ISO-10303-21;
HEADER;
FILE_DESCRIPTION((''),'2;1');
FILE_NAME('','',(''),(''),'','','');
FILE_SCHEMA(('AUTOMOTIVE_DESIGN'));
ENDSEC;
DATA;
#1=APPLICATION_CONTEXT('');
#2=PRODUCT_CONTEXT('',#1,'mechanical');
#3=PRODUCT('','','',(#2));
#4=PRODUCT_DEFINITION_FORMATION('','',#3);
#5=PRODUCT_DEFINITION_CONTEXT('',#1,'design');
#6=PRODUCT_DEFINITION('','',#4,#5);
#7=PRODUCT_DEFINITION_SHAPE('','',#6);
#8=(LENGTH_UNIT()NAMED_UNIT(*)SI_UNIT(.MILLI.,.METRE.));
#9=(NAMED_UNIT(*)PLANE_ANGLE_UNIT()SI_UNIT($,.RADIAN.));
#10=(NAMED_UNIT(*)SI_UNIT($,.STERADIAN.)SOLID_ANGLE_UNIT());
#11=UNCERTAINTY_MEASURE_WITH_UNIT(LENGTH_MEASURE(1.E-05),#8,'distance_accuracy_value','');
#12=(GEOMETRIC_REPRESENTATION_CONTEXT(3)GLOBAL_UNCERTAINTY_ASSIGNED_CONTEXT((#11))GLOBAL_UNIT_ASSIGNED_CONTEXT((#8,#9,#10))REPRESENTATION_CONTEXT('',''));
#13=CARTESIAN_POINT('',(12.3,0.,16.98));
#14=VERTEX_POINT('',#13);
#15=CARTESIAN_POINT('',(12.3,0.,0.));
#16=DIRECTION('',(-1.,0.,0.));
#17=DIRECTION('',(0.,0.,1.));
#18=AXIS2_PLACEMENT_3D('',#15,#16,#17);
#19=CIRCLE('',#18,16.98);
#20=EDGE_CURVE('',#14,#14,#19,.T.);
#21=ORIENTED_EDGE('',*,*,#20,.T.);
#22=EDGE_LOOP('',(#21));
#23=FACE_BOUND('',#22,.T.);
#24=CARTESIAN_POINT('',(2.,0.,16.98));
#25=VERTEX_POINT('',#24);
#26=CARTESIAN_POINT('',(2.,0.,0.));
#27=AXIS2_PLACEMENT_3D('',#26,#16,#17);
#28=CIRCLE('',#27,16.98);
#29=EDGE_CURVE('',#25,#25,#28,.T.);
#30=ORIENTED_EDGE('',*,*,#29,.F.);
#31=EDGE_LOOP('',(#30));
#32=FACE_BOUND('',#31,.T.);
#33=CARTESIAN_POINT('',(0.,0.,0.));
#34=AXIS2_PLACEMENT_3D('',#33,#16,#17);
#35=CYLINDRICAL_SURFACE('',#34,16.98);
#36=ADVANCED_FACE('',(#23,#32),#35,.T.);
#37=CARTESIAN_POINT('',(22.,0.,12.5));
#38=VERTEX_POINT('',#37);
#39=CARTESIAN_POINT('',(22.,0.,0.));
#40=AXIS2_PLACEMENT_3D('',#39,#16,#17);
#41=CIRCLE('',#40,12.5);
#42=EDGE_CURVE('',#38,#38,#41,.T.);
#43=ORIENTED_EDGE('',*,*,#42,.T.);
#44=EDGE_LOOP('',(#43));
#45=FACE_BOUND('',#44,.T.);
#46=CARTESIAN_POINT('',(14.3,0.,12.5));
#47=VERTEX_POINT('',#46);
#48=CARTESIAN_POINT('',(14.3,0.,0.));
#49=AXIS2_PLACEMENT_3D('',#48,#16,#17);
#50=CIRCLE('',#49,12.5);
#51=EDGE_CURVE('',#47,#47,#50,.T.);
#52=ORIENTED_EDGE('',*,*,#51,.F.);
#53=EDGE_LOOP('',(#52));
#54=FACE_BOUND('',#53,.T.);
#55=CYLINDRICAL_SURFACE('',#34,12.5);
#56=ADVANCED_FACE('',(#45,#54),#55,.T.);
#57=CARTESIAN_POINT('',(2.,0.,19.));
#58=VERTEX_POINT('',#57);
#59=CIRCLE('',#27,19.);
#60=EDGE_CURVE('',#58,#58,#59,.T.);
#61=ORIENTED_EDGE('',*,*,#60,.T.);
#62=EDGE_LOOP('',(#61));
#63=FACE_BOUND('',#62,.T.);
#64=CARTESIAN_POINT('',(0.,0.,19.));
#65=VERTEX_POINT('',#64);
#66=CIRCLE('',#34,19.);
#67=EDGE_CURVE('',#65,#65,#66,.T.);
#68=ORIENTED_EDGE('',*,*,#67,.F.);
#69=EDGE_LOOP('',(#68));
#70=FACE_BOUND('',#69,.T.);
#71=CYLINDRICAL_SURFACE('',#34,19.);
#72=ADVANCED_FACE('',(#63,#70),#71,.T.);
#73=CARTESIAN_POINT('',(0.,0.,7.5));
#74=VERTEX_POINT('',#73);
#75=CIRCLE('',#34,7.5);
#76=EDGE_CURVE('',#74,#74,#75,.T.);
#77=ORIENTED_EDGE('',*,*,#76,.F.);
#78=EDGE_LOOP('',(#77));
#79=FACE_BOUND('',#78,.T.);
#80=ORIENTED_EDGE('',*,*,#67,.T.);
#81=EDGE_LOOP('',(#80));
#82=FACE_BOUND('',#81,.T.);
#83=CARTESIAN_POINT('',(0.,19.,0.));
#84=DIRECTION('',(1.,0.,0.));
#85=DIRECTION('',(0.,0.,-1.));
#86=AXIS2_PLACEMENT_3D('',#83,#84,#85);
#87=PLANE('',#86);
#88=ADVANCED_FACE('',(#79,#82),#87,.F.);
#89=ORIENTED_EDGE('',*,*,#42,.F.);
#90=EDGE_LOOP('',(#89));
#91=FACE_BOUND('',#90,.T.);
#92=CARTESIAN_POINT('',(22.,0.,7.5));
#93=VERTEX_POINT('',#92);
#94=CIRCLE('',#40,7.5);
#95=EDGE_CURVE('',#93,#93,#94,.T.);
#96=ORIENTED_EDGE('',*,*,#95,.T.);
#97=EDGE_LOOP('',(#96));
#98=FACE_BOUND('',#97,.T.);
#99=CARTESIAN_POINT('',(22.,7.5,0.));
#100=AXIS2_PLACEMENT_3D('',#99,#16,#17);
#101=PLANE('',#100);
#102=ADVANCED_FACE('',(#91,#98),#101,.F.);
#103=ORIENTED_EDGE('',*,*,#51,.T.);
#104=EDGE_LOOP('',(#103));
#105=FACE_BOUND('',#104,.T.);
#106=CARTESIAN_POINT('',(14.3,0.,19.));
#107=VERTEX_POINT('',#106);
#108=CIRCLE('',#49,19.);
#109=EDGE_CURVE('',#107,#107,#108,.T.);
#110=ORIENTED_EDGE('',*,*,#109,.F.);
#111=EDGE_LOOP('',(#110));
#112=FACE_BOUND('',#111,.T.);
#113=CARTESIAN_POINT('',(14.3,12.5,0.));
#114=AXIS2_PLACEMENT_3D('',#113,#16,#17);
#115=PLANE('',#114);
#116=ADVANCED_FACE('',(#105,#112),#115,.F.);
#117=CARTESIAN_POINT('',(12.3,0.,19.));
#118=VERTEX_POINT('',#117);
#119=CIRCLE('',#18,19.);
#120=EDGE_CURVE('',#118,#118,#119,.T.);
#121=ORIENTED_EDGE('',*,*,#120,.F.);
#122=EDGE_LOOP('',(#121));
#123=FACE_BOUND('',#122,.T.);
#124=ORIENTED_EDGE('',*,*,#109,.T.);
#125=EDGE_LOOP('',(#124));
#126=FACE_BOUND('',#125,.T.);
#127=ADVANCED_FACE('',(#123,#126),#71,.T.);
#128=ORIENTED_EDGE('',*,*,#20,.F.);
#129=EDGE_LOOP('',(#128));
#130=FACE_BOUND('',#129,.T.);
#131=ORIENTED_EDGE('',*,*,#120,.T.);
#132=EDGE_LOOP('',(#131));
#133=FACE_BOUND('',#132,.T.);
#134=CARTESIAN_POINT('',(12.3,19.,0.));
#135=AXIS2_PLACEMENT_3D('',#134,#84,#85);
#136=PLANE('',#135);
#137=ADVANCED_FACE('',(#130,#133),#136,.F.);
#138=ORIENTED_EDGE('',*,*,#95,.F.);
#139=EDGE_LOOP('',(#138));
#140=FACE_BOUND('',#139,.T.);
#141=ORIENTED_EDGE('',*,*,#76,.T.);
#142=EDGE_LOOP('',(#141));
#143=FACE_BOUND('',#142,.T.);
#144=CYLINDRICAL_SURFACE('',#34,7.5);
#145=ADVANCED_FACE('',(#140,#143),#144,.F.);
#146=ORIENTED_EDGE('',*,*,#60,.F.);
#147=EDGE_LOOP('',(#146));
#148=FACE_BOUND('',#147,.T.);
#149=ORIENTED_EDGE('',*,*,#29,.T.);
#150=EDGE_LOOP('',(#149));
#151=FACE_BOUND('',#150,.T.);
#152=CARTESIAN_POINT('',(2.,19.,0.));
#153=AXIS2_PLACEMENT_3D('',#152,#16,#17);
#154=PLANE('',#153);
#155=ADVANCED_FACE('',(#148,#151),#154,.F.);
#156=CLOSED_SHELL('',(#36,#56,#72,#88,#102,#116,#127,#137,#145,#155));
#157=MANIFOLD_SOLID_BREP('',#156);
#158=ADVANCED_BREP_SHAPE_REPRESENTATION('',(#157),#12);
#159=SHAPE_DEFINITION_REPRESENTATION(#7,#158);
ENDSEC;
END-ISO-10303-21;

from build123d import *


with BuildPart() as part:
    # Esquisse1 → Révolution1 (revolve)
    with BuildSketch(Plane.XY, mode=Mode.PRIVATE) as r_volution1_sk:
        Polygon((22, 7.5), (22, 12.5), (14.3, 12.5), (14.3, 19), (12.3, 19), (12.3, 16.98), (2, 16.98), (2, 19), (0, 19), (0, 7.5), align=None)
    revolve(r_volution1_sk.sketch.rotate(Axis((0, 0, 0), (1, 0, 0)), 90), axis=Axis((0, 0, 0), (1, 0, 0)))


solid = part.part
